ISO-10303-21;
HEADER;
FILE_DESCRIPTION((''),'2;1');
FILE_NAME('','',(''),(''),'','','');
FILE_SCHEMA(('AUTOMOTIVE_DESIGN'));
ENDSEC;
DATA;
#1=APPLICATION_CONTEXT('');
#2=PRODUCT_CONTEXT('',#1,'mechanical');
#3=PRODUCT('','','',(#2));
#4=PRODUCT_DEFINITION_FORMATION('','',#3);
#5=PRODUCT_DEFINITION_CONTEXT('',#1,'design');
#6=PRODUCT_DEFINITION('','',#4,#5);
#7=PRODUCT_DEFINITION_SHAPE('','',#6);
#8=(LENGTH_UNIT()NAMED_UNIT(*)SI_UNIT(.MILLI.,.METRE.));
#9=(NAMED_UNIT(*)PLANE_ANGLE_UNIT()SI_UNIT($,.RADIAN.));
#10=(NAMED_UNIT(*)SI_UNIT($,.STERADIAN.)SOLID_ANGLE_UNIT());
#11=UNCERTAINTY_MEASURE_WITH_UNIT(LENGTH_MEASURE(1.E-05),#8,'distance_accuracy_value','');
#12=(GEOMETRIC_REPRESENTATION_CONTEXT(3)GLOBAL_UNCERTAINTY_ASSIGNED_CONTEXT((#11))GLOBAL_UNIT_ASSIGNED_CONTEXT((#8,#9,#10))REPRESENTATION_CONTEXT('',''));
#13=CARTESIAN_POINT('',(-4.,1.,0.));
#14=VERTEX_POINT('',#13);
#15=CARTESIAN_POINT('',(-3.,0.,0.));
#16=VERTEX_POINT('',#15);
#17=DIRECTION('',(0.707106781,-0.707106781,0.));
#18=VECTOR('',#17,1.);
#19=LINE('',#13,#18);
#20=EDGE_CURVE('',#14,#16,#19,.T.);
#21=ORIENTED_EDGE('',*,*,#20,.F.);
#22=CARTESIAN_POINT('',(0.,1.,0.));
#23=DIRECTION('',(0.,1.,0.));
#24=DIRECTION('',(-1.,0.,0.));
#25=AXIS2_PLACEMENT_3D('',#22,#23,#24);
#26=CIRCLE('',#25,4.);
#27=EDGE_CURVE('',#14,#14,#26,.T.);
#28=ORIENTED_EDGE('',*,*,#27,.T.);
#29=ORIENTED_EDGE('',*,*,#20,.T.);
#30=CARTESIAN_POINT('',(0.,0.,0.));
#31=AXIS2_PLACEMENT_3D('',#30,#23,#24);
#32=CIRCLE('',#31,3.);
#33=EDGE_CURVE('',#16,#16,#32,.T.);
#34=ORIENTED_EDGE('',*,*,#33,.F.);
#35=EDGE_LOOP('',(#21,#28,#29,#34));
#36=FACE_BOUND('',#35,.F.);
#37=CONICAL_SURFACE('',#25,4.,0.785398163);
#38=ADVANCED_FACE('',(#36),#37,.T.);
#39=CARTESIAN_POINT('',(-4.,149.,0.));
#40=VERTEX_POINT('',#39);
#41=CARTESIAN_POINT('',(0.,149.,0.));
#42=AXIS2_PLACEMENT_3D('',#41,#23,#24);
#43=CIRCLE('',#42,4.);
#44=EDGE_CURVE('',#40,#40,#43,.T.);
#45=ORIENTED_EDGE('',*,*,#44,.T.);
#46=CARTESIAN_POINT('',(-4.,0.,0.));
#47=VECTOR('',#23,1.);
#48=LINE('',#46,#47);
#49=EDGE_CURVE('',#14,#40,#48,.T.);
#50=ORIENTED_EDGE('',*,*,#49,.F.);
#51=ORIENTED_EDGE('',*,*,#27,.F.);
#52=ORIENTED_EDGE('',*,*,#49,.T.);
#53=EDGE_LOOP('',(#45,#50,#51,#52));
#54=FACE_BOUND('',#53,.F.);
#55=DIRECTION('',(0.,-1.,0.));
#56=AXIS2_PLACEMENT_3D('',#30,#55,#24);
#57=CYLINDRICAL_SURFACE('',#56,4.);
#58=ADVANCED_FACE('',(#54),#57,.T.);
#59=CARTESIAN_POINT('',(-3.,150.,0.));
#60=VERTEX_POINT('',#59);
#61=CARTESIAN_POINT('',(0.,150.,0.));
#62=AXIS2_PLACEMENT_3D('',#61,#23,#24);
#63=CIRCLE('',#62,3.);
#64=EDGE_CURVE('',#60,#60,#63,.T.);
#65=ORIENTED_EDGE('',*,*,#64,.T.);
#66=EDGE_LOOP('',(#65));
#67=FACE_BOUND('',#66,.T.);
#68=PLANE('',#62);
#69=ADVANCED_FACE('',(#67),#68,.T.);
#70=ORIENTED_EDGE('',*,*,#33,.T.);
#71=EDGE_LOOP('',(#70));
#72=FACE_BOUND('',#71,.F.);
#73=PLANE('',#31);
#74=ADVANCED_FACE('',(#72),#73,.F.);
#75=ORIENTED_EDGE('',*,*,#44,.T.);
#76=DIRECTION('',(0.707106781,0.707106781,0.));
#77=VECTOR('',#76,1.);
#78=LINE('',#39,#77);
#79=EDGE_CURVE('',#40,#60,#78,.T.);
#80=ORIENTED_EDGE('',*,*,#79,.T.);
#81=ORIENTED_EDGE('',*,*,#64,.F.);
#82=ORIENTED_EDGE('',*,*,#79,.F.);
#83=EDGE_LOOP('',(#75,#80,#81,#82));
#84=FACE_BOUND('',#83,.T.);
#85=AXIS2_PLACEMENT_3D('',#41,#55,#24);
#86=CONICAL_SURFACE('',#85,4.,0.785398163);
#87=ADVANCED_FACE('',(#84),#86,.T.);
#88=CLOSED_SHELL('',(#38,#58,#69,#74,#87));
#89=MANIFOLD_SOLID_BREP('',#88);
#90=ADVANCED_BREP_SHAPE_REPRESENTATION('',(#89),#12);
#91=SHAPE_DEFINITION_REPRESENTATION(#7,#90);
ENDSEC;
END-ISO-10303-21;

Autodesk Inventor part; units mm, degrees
ref_plane "YZ Plane" through (0, 0, 0) normal (1, 0, 0) x (0, 1, 0)
ref_plane "XZ Plane" through (0, 0, 0) normal (0, 1, 0) x (-1, 0, 0)
ref_plane "XY Plane" through (0, 0, 0) normal (0, 0, 1) x (1, 0, 0)
sketch "Sketch1" plane through (0, 0, 0) normal (0, 1, 0) x (-1, 0, 0)
  circle A0 centre (0, 0) radius 4
  dimension "d0" = 8
extrude "Extrusion1" add sketch "Sketch1" along normal blind 150
thread "Thread1" size "M8x1.25" class "6g" standard "ANSI Metric M Profile" length 150
chamfer "Chamfer1" distance 1 angle 45 2 edges at (4, 150, 0) (4, 0, 0)
properties part number "threadedrod"
